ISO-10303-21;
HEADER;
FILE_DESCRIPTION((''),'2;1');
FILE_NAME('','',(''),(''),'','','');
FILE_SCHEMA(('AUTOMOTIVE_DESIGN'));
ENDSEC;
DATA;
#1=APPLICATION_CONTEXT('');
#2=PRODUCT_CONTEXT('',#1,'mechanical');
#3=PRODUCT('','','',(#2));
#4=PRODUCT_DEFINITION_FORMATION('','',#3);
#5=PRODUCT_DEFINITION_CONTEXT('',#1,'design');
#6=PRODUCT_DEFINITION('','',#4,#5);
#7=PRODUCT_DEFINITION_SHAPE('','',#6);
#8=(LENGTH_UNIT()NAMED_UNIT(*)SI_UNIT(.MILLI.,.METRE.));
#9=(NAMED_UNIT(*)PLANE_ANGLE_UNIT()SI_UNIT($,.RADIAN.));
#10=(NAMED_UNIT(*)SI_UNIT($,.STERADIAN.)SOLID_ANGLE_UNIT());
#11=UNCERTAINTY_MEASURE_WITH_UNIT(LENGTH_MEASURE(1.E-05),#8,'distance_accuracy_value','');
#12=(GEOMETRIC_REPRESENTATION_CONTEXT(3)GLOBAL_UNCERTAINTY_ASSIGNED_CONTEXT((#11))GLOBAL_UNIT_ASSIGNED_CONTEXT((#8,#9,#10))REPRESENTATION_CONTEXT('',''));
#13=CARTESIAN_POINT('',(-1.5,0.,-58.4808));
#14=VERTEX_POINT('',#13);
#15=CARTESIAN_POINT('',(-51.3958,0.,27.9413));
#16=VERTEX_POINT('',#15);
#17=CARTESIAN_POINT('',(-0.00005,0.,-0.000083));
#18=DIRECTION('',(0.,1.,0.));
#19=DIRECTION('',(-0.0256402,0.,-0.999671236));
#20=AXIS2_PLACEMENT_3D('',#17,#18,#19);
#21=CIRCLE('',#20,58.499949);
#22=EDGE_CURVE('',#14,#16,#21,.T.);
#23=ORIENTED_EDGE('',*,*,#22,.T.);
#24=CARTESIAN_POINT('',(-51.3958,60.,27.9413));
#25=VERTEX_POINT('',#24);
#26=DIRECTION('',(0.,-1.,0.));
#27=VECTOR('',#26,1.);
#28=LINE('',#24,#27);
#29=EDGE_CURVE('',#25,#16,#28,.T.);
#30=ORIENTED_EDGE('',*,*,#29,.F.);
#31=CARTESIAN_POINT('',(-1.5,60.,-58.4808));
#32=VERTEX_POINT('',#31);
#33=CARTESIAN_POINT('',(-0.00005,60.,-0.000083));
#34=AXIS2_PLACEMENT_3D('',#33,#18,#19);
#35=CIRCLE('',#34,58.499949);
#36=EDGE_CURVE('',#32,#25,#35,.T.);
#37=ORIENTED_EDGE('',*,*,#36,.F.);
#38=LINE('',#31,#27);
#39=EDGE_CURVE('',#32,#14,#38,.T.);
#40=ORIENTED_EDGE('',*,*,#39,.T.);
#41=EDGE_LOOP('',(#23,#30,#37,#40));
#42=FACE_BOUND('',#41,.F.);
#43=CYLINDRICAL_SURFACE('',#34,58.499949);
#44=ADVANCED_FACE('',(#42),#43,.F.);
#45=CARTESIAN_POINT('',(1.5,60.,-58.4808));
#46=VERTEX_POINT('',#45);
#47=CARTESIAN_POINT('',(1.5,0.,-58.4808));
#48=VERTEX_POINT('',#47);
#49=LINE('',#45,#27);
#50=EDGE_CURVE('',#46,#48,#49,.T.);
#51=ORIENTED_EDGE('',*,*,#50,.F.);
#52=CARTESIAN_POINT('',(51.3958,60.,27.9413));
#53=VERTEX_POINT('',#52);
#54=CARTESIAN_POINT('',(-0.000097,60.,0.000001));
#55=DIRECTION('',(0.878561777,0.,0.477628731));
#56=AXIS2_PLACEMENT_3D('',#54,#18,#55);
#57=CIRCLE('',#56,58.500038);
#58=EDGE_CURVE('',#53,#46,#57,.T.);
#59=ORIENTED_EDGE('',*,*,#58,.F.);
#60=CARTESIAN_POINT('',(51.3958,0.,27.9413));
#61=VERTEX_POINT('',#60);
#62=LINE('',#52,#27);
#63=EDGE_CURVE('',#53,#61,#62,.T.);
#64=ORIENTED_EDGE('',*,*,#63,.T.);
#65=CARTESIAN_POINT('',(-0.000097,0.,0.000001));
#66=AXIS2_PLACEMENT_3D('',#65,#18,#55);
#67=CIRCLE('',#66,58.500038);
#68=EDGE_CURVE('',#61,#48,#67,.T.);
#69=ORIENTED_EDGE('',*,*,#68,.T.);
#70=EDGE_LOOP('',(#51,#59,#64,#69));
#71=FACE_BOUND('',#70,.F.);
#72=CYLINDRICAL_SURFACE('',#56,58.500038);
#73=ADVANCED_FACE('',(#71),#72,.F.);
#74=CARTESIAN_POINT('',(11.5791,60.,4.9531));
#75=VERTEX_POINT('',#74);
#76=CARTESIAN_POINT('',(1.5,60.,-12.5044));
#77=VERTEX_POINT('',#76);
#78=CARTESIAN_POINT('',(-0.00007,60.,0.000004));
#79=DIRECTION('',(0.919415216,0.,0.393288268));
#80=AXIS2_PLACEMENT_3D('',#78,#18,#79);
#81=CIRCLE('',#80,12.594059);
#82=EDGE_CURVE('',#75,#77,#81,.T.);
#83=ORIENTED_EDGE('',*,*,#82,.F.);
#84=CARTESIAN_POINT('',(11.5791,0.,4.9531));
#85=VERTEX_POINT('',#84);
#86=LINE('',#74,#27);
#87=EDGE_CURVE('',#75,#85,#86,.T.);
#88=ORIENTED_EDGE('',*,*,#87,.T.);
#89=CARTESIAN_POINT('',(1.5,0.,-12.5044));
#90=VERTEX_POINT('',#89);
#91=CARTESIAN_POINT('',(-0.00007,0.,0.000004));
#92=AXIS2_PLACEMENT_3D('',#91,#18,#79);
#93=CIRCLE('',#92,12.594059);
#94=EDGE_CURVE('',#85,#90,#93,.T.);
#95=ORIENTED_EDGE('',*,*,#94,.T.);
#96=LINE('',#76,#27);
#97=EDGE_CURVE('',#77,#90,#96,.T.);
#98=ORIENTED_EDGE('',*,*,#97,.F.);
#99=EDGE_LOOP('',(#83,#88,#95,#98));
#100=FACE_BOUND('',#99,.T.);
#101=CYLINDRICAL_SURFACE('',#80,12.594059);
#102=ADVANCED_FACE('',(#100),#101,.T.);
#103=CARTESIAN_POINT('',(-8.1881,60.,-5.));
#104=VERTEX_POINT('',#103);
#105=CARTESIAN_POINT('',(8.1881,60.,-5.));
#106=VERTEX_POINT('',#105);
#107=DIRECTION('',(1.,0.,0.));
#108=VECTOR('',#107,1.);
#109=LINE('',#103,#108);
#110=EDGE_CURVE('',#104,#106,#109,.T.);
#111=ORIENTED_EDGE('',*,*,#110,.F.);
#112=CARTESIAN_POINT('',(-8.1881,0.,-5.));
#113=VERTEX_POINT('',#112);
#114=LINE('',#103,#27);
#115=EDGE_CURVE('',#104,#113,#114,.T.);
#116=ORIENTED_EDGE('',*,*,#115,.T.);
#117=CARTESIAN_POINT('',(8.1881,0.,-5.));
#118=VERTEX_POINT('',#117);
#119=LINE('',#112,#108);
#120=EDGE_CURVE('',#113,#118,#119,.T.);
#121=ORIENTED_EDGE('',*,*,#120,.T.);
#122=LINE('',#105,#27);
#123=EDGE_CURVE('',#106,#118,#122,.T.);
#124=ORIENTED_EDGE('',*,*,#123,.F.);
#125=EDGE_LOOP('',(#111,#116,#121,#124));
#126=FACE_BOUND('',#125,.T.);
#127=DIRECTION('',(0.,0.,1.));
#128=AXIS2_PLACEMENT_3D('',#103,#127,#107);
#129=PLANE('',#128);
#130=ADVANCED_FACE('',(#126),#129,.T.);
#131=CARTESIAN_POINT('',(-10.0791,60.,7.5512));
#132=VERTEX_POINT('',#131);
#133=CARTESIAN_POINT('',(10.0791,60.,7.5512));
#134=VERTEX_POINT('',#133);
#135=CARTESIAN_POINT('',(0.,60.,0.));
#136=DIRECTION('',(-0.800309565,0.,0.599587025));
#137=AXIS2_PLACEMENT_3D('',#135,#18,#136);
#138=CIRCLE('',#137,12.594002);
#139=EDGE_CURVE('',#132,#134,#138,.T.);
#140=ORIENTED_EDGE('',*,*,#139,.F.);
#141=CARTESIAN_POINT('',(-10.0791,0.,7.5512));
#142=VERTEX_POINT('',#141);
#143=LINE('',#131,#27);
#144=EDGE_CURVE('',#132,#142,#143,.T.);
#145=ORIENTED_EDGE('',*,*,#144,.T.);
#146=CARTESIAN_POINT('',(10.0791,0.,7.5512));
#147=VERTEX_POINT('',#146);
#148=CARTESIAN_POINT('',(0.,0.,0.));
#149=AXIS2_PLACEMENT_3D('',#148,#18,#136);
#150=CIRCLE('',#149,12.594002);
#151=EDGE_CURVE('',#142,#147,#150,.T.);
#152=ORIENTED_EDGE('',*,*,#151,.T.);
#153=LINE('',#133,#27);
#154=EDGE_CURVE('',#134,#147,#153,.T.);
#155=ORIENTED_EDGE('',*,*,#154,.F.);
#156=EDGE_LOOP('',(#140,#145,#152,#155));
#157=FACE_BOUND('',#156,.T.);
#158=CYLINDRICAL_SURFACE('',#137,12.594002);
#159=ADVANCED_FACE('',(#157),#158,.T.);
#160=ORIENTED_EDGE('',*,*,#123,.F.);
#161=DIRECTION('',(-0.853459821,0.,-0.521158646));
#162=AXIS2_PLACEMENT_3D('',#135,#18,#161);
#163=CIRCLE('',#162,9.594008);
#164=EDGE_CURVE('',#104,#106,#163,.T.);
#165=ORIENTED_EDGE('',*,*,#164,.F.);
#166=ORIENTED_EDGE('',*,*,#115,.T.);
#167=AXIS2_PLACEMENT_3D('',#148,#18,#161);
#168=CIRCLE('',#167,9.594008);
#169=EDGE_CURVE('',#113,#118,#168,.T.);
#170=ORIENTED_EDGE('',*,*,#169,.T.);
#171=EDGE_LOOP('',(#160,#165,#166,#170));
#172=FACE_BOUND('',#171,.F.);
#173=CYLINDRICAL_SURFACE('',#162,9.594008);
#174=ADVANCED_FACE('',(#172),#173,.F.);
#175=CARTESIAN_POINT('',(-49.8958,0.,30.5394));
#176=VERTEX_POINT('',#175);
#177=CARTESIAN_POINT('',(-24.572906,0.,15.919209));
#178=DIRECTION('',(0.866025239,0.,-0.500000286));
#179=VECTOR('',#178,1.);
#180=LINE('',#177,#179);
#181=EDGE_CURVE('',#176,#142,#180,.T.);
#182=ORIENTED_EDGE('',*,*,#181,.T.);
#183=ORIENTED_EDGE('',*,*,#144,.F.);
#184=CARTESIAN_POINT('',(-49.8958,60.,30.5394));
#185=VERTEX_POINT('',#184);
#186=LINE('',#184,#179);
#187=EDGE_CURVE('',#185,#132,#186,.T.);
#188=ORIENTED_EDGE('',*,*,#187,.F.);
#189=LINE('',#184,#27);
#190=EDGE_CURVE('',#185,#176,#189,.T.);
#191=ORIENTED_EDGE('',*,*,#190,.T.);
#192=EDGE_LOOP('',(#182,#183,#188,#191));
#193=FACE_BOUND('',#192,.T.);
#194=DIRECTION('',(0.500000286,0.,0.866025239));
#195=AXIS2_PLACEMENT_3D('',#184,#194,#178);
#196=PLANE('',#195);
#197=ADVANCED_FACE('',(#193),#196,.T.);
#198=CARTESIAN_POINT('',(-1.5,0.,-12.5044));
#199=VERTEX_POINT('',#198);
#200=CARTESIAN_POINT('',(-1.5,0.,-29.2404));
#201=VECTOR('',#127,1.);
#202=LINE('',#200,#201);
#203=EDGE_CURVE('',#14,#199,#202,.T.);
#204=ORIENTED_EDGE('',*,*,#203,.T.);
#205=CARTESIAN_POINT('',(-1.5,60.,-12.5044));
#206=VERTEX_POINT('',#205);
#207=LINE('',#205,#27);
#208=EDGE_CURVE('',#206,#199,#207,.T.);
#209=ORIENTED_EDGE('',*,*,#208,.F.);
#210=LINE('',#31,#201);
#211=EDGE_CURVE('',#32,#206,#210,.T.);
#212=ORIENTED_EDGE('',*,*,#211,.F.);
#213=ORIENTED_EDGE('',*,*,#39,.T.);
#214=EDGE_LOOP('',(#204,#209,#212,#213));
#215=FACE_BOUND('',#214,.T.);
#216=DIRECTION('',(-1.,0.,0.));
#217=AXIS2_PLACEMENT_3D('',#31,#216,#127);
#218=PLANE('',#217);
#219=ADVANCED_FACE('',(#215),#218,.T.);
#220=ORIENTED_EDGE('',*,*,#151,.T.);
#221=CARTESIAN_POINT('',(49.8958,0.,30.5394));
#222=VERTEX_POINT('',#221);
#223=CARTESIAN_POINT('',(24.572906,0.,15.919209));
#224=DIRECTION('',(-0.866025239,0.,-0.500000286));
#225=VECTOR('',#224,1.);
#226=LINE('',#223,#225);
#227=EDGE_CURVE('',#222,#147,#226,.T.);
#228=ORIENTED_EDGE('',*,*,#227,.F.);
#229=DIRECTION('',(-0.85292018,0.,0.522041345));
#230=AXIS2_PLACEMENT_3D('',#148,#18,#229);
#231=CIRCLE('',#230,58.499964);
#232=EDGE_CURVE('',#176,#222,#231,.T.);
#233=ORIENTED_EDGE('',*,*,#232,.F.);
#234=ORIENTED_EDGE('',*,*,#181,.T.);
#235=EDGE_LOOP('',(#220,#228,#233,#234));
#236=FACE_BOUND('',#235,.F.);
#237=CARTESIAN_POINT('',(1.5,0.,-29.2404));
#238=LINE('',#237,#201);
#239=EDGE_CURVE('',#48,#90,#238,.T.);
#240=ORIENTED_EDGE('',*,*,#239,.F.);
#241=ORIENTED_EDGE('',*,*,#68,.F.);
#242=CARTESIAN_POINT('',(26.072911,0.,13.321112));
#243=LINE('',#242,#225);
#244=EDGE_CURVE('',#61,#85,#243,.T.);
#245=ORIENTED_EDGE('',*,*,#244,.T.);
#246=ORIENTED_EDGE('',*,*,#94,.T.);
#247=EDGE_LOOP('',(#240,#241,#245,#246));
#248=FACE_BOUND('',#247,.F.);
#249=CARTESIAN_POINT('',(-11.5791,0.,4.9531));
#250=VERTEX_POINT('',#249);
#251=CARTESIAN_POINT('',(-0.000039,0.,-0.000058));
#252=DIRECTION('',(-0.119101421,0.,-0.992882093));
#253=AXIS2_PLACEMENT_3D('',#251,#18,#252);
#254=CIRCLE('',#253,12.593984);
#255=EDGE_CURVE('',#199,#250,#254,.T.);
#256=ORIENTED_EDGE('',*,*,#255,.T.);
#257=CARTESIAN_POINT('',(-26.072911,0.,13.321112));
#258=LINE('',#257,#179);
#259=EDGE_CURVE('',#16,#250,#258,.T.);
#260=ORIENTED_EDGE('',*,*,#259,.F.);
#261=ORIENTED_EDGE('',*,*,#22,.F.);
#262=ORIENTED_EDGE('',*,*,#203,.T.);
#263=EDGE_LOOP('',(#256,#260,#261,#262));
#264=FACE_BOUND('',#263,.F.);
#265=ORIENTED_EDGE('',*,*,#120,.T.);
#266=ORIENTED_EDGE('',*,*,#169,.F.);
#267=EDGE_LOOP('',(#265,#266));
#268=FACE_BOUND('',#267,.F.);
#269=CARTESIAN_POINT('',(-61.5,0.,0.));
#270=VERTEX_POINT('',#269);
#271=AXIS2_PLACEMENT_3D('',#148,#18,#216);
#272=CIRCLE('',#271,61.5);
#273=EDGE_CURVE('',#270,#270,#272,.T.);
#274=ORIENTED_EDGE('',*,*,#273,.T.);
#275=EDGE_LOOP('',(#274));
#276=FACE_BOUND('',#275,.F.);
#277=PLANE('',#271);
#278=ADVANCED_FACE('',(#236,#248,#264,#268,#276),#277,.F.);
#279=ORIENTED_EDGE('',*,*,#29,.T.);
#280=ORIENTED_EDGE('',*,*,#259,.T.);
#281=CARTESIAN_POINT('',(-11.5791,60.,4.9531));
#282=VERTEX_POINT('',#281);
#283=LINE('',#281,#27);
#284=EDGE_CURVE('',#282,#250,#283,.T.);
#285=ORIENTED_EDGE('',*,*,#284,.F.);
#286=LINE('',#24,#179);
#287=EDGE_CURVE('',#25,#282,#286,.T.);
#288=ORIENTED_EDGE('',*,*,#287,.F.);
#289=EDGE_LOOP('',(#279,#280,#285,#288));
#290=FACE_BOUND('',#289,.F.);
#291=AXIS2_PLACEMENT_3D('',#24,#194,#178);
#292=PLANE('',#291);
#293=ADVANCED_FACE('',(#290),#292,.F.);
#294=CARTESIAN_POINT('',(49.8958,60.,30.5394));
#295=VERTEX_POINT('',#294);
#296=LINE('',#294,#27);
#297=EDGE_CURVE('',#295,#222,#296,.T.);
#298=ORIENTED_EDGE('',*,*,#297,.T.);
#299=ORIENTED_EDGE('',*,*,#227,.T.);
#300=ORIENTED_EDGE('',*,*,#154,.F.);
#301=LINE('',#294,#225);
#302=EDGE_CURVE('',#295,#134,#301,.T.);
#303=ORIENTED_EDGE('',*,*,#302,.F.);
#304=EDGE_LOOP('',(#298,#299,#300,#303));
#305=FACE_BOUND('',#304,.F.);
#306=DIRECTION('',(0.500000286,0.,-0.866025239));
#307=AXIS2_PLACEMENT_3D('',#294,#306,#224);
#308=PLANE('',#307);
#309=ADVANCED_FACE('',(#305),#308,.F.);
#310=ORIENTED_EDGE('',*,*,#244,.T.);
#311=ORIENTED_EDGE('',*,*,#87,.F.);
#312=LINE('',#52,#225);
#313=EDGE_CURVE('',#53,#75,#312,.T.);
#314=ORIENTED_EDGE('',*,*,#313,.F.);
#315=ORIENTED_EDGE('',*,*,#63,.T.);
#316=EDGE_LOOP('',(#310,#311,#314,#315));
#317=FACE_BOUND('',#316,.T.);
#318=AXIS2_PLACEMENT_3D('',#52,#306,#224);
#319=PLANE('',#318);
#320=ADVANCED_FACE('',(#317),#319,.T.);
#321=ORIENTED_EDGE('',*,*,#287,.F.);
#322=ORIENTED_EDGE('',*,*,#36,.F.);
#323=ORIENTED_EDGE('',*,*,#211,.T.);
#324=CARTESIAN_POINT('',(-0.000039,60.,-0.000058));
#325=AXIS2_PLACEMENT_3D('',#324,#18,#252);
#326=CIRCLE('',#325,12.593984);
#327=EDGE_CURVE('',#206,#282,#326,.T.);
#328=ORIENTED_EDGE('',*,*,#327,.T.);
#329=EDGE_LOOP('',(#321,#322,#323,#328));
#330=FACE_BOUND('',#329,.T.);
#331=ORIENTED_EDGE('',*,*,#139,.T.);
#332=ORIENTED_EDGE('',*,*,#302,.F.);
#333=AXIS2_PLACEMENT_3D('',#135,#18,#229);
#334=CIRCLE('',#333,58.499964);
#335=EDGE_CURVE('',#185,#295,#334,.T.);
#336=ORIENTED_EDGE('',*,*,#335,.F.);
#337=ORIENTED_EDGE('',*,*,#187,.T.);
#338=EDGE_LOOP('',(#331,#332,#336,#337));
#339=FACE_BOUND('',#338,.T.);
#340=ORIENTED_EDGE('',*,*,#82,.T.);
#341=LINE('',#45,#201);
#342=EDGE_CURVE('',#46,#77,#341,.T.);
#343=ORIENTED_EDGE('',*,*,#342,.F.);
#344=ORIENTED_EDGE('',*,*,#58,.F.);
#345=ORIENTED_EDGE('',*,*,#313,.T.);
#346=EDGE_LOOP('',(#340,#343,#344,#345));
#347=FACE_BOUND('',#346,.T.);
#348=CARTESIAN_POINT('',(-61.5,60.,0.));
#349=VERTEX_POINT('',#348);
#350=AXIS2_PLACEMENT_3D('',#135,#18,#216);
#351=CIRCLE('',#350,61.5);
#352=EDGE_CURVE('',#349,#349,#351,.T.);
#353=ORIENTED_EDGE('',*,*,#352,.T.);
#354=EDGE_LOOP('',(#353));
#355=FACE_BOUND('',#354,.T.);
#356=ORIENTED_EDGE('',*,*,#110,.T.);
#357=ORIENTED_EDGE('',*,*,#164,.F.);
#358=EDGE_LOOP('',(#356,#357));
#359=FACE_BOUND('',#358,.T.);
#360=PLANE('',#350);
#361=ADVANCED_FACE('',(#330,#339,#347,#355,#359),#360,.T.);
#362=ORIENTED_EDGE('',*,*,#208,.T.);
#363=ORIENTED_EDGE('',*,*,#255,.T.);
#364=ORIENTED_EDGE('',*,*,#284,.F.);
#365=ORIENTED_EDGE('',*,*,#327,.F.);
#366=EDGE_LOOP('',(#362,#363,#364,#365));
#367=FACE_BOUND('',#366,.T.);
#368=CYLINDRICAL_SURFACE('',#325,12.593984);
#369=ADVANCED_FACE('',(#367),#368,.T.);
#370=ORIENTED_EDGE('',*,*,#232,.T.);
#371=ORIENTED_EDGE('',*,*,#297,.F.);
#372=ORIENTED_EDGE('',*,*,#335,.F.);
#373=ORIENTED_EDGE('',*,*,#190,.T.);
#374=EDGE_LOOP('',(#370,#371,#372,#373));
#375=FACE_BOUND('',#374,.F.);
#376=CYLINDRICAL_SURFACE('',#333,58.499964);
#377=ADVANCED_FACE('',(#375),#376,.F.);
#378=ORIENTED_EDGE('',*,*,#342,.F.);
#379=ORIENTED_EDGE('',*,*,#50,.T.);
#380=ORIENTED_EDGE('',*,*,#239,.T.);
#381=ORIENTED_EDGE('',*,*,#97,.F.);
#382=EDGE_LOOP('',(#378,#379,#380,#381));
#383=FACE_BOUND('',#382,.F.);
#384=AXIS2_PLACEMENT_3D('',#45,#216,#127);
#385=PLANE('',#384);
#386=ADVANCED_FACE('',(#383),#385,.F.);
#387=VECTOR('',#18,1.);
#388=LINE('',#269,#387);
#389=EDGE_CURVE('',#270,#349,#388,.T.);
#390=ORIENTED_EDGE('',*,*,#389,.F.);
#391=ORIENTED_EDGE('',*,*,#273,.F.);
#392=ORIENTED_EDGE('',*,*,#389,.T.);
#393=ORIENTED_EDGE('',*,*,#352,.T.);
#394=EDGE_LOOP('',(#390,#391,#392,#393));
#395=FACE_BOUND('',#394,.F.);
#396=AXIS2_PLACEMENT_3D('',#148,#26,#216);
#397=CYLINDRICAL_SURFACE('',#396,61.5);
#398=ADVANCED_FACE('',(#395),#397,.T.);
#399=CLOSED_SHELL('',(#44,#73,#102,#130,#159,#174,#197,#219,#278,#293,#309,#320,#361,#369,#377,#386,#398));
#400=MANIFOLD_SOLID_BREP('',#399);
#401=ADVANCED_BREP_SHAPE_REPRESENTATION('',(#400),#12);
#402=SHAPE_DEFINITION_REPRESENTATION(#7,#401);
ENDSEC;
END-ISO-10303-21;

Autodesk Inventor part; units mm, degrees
ref_plane "YZ Plane" through (0, 0, 0) normal (1, 0, 0) x (0, 1, 0)
ref_plane "XZ Plane" through (0, 0, 0) normal (0, 1, 0) x (-1, 0, 0)
ref_plane "XY Plane" through (0, 0, 0) normal (0, 0, 1) x (1, 0, 0)
sketch "Sketch1" plane through (0, 0, 0) normal (0, 1, 0) x (-1, 0, 0)
  circle A0 centre (0, 0) radius 61.5
  dimension "d0" = 123
extrude "Extrusion1" add sketch "Sketch1" along normal blind 60
thread "Thread1" size "M125x8" class "6g" standard "ANSI Metric M Profile" full length
sketch "Sketch2" plane through (0, 60, 0) normal (0, 1, 0) x (1, 0, 0)
  arc A0 (-8.1881, 5) -> (8.1881, 5) centre (0, 0) ccw
  line L0 (-8.1881, 5) -> (8.1881, 5)
  dimension "d5" = 19.188
  dimension "d6" = 5
extrude "Extrusion2" cut sketch "Sketch2" against normal up to surface (60 mm away)
sketch "Sketch3" plane through (0, 60, 0) normal (0, 1, 0) x (1, 0, 0)
  line L0 (-8.1881, 5) -> (8.1881, 5) projected
  arc A0 (-8.1881, 5) -> (8.1881, 5) centre (0, 0) ccw projected
  circle A1 centre (0, 0) radius 61.5 projected
  line L1 (-1.5, 58.4808) -> (-1.5, 12.5044)
  line L2 (1.5, 58.4808) -> (1.5, 12.5044)
  line L3 (-49.8958, -30.5394) -> (-10.0791, -7.5512)
  line L4 (-51.3958, -27.9413) -> (-11.5791, -4.9531)
  line L5 (51.3958, -27.9413) -> (11.5791, -4.9531)
  line L6 (49.8958, -30.5394) -> (10.0791, -7.5512)
  arc A2 (11.5791, -4.9531) -> (1.5, 12.5044) centre (0, 0) ccw
  arc A3 (-1.5, 12.5044) -> (-11.5791, -4.9531) centre (0, 0) ccw
  arc A4 (-10.0791, -7.5512) -> (10.0791, -7.5512) centre (0, 0) ccw
  arc A5 (-49.8958, -30.5394) -> (49.8958, -30.5394) centre (0, 0) ccw
  arc A6 (51.3958, -27.9413) -> (1.5, 58.4808) centre (0, 0) ccw
  arc A7 (-1.5, 58.4808) -> (-51.3958, -27.9413) centre (0, 0) ccw
  dimension "d11" = 3
  dimension "d14" = 360
extrude "Extrusion3" cut sketch "Sketch3" against normal through all contours L1 A3 L4 A7 | A6 L5 A2 L2 | L3 A4 L6 A5
properties part number "Wheel_Actual-wheel-ENES100OSVproject-spencermical-3-3-16_thursday-1-17am-freshmanyear-springsemester"
